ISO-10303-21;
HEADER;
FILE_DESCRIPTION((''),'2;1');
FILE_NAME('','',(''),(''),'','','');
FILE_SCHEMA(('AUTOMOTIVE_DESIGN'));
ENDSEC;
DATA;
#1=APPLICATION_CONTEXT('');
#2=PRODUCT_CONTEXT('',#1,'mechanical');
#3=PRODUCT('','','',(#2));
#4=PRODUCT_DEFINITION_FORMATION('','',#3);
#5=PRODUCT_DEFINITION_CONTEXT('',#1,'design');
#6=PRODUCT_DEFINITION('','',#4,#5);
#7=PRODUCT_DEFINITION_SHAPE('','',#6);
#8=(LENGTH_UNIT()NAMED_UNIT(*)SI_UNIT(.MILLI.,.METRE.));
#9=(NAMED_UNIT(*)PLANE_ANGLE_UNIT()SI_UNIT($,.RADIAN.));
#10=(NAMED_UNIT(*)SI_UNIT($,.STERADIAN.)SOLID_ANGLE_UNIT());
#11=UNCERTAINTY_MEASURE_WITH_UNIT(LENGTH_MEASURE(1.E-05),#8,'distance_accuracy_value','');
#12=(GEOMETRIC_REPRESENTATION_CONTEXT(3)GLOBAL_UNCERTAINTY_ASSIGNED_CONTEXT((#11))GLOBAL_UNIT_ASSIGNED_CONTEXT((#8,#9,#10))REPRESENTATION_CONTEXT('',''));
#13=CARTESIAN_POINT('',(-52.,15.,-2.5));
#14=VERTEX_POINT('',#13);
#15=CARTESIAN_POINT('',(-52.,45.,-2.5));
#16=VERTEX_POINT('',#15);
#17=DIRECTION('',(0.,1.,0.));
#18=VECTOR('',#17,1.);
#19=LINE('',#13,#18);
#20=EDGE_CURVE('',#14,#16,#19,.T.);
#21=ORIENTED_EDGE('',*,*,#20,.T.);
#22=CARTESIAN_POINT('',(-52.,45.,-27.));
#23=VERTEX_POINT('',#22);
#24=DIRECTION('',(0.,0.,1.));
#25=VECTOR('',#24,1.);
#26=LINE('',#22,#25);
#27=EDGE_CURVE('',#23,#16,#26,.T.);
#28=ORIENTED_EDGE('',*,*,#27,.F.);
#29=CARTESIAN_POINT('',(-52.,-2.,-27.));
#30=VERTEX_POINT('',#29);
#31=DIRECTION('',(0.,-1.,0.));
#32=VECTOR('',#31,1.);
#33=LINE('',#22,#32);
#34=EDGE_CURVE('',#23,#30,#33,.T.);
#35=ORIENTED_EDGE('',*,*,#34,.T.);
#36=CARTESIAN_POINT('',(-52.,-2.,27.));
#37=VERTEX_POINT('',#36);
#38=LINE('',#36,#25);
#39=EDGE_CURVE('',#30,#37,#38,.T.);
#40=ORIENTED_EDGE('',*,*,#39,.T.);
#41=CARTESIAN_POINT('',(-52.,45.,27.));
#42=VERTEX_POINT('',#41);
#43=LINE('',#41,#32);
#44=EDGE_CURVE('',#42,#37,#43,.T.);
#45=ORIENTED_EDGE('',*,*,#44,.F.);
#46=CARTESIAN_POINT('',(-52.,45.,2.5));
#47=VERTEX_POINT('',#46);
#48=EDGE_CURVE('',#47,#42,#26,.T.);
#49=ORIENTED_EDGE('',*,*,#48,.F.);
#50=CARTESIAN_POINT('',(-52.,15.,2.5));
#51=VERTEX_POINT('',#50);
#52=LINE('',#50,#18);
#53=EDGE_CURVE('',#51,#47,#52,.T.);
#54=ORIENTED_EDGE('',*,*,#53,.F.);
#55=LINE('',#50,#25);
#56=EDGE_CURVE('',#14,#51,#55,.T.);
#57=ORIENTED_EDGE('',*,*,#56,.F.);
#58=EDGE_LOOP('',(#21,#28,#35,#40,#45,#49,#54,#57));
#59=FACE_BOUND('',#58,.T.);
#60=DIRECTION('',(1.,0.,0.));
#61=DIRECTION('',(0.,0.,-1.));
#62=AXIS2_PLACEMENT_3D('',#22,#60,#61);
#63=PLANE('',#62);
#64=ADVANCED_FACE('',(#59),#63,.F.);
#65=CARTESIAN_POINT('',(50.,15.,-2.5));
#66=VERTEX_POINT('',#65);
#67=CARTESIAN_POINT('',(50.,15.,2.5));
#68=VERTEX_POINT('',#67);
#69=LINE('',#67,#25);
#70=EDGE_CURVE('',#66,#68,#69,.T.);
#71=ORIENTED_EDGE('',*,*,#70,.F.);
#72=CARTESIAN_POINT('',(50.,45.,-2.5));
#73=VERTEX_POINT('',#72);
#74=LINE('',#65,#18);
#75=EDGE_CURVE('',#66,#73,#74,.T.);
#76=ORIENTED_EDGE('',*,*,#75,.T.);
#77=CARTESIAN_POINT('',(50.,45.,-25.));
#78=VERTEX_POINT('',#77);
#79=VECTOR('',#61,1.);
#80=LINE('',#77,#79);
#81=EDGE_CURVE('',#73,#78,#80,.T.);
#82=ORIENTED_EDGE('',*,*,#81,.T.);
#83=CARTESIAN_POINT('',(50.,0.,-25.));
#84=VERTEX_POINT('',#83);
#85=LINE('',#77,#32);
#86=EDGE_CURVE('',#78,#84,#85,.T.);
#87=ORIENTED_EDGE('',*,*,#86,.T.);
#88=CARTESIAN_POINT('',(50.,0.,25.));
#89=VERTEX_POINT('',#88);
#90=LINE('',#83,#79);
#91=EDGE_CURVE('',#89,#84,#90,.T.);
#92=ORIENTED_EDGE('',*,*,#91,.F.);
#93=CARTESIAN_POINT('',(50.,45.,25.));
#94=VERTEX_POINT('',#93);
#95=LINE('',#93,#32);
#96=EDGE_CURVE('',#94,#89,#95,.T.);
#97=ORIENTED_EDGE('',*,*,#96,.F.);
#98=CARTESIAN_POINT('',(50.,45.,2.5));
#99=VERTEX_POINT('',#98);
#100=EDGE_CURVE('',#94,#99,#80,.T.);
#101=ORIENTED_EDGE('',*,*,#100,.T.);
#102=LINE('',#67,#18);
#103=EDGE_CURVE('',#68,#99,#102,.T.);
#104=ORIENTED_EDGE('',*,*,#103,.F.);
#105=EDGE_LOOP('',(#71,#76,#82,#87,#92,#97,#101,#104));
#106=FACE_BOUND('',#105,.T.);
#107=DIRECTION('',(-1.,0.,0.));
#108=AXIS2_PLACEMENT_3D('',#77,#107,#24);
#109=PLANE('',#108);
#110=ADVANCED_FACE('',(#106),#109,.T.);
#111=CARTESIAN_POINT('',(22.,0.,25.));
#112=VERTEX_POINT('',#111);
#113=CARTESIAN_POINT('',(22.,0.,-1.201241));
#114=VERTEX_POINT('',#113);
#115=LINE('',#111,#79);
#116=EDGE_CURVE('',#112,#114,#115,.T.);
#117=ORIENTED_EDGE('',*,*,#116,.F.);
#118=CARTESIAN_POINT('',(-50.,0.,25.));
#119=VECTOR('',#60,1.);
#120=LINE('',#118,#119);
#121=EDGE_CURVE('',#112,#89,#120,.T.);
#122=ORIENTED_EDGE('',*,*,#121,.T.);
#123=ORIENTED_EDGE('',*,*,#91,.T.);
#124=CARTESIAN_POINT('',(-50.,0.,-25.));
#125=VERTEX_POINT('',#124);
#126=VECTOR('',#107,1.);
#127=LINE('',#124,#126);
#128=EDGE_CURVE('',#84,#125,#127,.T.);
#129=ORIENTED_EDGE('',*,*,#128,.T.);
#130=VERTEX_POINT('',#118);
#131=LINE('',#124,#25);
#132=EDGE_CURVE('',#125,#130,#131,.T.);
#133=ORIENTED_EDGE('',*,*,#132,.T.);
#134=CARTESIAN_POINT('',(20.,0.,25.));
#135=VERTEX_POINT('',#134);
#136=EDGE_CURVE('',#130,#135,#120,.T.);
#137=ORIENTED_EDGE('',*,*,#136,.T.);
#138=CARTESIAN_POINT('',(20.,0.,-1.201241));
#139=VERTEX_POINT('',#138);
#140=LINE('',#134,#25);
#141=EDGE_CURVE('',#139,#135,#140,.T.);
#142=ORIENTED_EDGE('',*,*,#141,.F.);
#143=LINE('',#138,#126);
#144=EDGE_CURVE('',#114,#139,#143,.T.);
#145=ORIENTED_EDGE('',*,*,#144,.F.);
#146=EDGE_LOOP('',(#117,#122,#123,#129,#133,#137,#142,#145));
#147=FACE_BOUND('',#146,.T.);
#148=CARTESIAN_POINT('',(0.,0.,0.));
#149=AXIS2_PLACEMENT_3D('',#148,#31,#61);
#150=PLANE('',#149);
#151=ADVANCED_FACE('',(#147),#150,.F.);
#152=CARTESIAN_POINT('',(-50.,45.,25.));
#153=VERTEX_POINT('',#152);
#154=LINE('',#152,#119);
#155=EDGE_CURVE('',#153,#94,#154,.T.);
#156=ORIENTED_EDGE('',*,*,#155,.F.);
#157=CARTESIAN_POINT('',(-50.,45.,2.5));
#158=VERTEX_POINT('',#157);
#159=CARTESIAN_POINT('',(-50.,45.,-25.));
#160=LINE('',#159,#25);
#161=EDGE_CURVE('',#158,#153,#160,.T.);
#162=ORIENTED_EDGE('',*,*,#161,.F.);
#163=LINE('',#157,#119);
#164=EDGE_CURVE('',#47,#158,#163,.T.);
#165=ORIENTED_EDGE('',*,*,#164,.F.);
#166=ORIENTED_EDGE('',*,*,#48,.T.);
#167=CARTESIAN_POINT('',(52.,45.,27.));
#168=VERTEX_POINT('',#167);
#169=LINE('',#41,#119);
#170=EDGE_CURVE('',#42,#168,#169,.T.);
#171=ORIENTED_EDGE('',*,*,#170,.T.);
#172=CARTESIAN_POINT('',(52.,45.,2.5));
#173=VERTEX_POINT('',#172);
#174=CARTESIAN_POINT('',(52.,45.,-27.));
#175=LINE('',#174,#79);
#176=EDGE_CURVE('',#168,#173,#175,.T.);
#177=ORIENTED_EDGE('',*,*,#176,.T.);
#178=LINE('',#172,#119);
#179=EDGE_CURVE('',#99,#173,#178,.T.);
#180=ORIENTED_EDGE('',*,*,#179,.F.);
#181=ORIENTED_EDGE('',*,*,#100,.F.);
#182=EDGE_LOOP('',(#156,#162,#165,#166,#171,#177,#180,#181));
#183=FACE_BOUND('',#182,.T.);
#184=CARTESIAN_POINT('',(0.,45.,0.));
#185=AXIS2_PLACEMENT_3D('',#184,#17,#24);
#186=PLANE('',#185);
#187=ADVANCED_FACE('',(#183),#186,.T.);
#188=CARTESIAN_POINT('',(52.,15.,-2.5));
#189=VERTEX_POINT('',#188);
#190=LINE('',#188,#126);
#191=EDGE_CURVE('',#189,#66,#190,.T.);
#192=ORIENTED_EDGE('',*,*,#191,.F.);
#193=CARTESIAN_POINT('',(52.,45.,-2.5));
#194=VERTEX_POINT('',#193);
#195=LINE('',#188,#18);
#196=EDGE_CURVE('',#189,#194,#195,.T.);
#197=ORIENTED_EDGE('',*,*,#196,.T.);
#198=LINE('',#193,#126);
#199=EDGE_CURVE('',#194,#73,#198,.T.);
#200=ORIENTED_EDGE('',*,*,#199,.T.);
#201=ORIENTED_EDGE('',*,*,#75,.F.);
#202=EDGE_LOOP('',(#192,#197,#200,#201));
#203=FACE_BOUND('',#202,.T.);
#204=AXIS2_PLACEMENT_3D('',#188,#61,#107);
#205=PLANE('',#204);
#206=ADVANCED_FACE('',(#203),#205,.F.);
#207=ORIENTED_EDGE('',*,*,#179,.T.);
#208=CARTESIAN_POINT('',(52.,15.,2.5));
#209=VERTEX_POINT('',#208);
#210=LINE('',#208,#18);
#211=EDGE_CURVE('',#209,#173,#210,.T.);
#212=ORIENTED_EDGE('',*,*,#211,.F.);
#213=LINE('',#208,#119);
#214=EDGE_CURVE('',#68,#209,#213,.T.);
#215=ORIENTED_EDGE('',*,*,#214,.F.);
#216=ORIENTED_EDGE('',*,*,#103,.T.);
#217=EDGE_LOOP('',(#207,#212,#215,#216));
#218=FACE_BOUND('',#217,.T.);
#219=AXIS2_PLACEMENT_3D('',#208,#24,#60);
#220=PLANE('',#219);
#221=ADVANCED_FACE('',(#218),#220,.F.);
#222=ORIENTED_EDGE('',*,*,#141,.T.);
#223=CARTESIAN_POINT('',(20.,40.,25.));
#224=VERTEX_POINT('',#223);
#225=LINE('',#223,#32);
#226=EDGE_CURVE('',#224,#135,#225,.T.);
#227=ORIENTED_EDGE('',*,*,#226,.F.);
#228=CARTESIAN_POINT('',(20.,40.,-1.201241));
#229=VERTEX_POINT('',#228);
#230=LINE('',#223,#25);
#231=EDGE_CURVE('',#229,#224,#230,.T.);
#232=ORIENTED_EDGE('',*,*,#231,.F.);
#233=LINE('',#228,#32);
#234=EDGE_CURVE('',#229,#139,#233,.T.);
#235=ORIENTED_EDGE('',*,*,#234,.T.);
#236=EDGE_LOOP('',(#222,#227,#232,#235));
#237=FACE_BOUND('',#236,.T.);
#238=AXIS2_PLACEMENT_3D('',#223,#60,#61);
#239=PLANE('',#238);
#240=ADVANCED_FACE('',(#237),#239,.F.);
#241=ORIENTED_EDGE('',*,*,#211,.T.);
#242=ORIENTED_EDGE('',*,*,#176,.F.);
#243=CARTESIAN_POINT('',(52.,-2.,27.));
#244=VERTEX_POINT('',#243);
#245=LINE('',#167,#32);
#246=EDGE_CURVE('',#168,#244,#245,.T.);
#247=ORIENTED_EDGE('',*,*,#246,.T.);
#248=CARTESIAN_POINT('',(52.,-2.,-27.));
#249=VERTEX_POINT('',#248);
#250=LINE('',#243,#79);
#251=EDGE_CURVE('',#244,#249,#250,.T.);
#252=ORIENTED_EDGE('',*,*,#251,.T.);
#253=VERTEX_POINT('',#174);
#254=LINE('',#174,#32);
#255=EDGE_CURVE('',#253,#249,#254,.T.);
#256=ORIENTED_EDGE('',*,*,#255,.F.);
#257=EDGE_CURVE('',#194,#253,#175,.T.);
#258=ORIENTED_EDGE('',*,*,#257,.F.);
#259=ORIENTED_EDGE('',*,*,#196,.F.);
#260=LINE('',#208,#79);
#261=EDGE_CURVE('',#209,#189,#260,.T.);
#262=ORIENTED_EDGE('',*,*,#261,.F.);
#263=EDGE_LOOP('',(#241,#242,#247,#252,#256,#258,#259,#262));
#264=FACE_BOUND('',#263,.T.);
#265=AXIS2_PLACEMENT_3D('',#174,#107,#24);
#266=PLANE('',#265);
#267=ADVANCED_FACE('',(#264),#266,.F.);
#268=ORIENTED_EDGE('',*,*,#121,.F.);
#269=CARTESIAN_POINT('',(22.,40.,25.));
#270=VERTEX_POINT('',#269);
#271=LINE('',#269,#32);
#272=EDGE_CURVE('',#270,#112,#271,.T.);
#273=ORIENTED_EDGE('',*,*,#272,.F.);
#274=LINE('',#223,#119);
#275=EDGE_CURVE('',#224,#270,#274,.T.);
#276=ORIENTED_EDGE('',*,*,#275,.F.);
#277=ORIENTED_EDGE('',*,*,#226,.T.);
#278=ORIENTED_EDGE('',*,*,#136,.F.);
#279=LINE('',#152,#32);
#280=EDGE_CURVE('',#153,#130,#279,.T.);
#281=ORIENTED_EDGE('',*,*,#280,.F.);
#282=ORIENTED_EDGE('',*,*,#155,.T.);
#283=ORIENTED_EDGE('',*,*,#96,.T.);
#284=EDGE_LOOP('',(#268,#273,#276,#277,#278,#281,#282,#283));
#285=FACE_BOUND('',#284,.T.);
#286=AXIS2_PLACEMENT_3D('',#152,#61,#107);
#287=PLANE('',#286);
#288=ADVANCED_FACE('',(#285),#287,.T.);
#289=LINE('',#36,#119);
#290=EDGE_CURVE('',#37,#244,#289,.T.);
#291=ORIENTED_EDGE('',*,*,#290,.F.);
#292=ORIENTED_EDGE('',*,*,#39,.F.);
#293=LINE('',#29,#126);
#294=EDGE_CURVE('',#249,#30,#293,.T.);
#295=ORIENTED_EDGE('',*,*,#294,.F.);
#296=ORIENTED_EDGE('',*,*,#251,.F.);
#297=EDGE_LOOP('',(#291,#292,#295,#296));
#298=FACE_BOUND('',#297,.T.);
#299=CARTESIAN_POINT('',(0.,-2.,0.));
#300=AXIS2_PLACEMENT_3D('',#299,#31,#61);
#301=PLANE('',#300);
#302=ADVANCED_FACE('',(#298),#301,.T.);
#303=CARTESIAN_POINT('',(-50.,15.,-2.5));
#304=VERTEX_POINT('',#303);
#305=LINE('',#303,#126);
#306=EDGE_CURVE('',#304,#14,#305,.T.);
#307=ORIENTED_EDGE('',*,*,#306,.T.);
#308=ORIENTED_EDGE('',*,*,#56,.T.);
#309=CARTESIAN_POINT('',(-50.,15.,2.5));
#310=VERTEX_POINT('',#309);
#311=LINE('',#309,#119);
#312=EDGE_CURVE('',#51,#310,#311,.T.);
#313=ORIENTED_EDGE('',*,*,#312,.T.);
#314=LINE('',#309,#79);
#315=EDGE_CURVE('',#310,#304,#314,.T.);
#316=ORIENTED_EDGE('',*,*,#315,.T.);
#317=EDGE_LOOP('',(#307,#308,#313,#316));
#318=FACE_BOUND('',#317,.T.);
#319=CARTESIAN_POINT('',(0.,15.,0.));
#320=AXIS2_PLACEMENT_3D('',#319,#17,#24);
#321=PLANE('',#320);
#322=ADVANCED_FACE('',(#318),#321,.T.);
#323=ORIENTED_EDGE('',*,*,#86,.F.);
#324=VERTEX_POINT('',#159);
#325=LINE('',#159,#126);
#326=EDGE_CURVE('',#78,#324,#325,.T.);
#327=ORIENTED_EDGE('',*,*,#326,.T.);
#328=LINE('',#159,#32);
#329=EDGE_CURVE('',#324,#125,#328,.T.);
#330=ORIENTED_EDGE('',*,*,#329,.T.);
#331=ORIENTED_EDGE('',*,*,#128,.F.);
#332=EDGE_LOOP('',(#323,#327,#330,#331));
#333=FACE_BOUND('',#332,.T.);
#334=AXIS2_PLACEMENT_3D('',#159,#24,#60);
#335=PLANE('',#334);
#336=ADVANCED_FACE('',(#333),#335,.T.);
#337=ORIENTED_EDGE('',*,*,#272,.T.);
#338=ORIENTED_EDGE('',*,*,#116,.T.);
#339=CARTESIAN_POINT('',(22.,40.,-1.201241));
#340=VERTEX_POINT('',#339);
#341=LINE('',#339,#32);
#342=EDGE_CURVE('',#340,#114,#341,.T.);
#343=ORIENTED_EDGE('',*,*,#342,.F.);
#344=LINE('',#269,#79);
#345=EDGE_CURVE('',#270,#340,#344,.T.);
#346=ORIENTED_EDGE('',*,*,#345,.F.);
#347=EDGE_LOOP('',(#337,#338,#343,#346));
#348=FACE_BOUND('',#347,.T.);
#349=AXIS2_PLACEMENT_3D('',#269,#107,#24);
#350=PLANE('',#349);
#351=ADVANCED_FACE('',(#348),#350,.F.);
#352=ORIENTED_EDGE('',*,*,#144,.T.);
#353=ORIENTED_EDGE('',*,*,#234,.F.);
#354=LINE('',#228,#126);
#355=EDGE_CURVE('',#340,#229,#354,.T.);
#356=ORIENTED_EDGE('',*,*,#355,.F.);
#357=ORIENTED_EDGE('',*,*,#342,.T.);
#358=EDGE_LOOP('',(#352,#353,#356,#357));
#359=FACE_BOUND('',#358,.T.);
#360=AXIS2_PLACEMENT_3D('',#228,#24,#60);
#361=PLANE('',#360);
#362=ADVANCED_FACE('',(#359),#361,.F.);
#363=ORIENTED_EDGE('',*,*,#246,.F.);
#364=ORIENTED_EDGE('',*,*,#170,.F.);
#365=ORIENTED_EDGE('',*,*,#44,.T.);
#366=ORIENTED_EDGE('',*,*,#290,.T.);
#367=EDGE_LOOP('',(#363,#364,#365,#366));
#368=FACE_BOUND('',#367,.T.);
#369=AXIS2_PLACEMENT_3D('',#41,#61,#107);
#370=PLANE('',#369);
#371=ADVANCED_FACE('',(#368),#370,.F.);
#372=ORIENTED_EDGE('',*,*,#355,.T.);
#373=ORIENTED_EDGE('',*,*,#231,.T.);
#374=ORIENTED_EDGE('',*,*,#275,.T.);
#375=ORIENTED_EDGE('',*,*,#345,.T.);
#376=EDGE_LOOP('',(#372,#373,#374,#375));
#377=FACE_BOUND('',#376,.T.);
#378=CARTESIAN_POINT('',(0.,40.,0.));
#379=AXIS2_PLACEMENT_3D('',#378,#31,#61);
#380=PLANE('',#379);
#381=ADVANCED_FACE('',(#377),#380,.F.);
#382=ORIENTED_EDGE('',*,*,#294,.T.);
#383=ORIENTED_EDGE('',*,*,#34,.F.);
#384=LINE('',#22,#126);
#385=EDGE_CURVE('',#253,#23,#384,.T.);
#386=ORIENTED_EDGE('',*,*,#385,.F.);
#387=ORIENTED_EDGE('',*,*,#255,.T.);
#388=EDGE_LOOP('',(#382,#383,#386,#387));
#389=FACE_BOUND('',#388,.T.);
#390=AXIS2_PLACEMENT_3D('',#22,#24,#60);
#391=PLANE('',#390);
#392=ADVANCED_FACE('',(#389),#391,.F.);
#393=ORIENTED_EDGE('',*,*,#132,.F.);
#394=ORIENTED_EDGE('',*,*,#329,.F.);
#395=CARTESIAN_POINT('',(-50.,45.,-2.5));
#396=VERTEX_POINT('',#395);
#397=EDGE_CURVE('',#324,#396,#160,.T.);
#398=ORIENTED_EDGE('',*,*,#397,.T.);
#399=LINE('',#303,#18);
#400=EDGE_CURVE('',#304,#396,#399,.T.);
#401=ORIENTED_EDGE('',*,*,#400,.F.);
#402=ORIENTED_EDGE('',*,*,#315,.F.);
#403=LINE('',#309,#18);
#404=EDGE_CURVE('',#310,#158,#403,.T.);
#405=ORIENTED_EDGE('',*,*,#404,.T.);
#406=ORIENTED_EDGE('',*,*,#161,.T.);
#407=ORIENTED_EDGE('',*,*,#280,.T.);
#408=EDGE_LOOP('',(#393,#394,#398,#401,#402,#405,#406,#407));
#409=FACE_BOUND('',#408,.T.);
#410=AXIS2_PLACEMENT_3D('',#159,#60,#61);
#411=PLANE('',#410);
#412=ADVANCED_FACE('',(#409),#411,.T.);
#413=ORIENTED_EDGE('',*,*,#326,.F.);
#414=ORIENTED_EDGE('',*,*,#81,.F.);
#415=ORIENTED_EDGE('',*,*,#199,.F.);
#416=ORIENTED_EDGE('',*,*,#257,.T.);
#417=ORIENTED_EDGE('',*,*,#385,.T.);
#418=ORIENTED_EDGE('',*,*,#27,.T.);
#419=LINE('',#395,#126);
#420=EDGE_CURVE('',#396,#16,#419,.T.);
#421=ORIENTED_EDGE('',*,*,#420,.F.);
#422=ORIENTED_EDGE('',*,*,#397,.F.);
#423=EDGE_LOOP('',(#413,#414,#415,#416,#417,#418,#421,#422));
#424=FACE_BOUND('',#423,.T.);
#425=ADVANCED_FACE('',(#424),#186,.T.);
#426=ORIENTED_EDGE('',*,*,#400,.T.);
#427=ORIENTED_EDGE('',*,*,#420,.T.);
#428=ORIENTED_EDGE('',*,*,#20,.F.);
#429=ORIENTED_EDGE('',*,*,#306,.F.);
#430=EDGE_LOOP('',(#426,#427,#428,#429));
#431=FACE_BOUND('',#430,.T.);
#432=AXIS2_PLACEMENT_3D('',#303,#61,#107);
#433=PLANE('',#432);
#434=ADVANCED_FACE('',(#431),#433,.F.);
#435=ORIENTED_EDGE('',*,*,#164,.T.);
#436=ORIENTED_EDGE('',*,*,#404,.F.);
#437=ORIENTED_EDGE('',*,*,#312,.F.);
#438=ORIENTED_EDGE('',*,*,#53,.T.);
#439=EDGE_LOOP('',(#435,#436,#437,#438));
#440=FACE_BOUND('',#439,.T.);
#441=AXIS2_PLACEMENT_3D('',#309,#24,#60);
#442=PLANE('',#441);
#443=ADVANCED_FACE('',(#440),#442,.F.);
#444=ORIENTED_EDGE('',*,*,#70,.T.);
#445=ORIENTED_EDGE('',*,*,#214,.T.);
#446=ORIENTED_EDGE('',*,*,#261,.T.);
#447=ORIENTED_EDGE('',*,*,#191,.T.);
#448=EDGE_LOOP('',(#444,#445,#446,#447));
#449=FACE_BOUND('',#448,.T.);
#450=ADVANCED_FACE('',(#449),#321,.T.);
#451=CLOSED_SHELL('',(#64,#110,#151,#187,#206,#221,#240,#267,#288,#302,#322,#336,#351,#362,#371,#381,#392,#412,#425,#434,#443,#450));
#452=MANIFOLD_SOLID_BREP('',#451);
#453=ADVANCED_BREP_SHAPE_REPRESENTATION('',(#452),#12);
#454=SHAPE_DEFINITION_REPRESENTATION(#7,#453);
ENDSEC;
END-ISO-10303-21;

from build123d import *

# Parameters (mm, degrees)
SKETCH1_W           = 104
SKETCH1_H           = 54
SKETCH1_W_2         = 100
SKETCH1_H_2         = 50
BOSS_EXTRUDE1_DEPTH = 45
SKETCH2_W           = 104
SKETCH2_H           = 54
BOSS_EXTRUDE2_DEPTH = 2
SKETCH3_W           = 2
SKETCH3_H           = 5
CUT_EXTRUDE1_DEPTH  = 30
SKETCH4_W           = 2
SKETCH4_H           = 26.201240847
BOSS_EXTRUDE3_DEPTH = 40


with BuildPart() as part:
    # Sketch1 → Boss-Extrude1 (new body)
    with BuildSketch(Plane(origin=(0, 0, 0), x_dir=(1, 0, 0), z_dir=(0, 1, 0))):
        Rectangle(SKETCH1_W, SKETCH1_H)
        Rectangle(SKETCH1_W_2, SKETCH1_H_2, mode=Mode.SUBTRACT)
    extrude(amount=BOSS_EXTRUDE1_DEPTH)

    # Sketch2 → Boss-Extrude2 (add)
    with BuildSketch(Plane(origin=(0, 0, 0), x_dir=(1, 0, 0), z_dir=(0, 1, 0))):
        Rectangle(SKETCH2_W, SKETCH2_H)
    extrude(amount=-BOSS_EXTRUDE2_DEPTH)

    # Sketch3 → Cut-Extrude1 (cut)
    with BuildSketch(Plane(origin=(0, 45, 0), x_dir=(1, 0, 0), z_dir=(0, 1, 0))):
        with Locations((51, 0)):
            Rectangle(SKETCH3_W, SKETCH3_H)
        with Locations((-51, 0)):
            Rectangle(SKETCH3_W, SKETCH3_H)
    extrude(amount=-CUT_EXTRUDE1_DEPTH, mode=Mode.SUBTRACT)

    # Sketch4 → Boss-Extrude3 (add)
    with BuildSketch(Plane(origin=(0, 0, 0), x_dir=(1, 0, 0), z_dir=(0, 1, 0))):
        with Locations((21, -11.899379576)):
            Rectangle(SKETCH4_W, SKETCH4_H)
    extrude(amount=BOSS_EXTRUDE3_DEPTH)


solid = part.part
